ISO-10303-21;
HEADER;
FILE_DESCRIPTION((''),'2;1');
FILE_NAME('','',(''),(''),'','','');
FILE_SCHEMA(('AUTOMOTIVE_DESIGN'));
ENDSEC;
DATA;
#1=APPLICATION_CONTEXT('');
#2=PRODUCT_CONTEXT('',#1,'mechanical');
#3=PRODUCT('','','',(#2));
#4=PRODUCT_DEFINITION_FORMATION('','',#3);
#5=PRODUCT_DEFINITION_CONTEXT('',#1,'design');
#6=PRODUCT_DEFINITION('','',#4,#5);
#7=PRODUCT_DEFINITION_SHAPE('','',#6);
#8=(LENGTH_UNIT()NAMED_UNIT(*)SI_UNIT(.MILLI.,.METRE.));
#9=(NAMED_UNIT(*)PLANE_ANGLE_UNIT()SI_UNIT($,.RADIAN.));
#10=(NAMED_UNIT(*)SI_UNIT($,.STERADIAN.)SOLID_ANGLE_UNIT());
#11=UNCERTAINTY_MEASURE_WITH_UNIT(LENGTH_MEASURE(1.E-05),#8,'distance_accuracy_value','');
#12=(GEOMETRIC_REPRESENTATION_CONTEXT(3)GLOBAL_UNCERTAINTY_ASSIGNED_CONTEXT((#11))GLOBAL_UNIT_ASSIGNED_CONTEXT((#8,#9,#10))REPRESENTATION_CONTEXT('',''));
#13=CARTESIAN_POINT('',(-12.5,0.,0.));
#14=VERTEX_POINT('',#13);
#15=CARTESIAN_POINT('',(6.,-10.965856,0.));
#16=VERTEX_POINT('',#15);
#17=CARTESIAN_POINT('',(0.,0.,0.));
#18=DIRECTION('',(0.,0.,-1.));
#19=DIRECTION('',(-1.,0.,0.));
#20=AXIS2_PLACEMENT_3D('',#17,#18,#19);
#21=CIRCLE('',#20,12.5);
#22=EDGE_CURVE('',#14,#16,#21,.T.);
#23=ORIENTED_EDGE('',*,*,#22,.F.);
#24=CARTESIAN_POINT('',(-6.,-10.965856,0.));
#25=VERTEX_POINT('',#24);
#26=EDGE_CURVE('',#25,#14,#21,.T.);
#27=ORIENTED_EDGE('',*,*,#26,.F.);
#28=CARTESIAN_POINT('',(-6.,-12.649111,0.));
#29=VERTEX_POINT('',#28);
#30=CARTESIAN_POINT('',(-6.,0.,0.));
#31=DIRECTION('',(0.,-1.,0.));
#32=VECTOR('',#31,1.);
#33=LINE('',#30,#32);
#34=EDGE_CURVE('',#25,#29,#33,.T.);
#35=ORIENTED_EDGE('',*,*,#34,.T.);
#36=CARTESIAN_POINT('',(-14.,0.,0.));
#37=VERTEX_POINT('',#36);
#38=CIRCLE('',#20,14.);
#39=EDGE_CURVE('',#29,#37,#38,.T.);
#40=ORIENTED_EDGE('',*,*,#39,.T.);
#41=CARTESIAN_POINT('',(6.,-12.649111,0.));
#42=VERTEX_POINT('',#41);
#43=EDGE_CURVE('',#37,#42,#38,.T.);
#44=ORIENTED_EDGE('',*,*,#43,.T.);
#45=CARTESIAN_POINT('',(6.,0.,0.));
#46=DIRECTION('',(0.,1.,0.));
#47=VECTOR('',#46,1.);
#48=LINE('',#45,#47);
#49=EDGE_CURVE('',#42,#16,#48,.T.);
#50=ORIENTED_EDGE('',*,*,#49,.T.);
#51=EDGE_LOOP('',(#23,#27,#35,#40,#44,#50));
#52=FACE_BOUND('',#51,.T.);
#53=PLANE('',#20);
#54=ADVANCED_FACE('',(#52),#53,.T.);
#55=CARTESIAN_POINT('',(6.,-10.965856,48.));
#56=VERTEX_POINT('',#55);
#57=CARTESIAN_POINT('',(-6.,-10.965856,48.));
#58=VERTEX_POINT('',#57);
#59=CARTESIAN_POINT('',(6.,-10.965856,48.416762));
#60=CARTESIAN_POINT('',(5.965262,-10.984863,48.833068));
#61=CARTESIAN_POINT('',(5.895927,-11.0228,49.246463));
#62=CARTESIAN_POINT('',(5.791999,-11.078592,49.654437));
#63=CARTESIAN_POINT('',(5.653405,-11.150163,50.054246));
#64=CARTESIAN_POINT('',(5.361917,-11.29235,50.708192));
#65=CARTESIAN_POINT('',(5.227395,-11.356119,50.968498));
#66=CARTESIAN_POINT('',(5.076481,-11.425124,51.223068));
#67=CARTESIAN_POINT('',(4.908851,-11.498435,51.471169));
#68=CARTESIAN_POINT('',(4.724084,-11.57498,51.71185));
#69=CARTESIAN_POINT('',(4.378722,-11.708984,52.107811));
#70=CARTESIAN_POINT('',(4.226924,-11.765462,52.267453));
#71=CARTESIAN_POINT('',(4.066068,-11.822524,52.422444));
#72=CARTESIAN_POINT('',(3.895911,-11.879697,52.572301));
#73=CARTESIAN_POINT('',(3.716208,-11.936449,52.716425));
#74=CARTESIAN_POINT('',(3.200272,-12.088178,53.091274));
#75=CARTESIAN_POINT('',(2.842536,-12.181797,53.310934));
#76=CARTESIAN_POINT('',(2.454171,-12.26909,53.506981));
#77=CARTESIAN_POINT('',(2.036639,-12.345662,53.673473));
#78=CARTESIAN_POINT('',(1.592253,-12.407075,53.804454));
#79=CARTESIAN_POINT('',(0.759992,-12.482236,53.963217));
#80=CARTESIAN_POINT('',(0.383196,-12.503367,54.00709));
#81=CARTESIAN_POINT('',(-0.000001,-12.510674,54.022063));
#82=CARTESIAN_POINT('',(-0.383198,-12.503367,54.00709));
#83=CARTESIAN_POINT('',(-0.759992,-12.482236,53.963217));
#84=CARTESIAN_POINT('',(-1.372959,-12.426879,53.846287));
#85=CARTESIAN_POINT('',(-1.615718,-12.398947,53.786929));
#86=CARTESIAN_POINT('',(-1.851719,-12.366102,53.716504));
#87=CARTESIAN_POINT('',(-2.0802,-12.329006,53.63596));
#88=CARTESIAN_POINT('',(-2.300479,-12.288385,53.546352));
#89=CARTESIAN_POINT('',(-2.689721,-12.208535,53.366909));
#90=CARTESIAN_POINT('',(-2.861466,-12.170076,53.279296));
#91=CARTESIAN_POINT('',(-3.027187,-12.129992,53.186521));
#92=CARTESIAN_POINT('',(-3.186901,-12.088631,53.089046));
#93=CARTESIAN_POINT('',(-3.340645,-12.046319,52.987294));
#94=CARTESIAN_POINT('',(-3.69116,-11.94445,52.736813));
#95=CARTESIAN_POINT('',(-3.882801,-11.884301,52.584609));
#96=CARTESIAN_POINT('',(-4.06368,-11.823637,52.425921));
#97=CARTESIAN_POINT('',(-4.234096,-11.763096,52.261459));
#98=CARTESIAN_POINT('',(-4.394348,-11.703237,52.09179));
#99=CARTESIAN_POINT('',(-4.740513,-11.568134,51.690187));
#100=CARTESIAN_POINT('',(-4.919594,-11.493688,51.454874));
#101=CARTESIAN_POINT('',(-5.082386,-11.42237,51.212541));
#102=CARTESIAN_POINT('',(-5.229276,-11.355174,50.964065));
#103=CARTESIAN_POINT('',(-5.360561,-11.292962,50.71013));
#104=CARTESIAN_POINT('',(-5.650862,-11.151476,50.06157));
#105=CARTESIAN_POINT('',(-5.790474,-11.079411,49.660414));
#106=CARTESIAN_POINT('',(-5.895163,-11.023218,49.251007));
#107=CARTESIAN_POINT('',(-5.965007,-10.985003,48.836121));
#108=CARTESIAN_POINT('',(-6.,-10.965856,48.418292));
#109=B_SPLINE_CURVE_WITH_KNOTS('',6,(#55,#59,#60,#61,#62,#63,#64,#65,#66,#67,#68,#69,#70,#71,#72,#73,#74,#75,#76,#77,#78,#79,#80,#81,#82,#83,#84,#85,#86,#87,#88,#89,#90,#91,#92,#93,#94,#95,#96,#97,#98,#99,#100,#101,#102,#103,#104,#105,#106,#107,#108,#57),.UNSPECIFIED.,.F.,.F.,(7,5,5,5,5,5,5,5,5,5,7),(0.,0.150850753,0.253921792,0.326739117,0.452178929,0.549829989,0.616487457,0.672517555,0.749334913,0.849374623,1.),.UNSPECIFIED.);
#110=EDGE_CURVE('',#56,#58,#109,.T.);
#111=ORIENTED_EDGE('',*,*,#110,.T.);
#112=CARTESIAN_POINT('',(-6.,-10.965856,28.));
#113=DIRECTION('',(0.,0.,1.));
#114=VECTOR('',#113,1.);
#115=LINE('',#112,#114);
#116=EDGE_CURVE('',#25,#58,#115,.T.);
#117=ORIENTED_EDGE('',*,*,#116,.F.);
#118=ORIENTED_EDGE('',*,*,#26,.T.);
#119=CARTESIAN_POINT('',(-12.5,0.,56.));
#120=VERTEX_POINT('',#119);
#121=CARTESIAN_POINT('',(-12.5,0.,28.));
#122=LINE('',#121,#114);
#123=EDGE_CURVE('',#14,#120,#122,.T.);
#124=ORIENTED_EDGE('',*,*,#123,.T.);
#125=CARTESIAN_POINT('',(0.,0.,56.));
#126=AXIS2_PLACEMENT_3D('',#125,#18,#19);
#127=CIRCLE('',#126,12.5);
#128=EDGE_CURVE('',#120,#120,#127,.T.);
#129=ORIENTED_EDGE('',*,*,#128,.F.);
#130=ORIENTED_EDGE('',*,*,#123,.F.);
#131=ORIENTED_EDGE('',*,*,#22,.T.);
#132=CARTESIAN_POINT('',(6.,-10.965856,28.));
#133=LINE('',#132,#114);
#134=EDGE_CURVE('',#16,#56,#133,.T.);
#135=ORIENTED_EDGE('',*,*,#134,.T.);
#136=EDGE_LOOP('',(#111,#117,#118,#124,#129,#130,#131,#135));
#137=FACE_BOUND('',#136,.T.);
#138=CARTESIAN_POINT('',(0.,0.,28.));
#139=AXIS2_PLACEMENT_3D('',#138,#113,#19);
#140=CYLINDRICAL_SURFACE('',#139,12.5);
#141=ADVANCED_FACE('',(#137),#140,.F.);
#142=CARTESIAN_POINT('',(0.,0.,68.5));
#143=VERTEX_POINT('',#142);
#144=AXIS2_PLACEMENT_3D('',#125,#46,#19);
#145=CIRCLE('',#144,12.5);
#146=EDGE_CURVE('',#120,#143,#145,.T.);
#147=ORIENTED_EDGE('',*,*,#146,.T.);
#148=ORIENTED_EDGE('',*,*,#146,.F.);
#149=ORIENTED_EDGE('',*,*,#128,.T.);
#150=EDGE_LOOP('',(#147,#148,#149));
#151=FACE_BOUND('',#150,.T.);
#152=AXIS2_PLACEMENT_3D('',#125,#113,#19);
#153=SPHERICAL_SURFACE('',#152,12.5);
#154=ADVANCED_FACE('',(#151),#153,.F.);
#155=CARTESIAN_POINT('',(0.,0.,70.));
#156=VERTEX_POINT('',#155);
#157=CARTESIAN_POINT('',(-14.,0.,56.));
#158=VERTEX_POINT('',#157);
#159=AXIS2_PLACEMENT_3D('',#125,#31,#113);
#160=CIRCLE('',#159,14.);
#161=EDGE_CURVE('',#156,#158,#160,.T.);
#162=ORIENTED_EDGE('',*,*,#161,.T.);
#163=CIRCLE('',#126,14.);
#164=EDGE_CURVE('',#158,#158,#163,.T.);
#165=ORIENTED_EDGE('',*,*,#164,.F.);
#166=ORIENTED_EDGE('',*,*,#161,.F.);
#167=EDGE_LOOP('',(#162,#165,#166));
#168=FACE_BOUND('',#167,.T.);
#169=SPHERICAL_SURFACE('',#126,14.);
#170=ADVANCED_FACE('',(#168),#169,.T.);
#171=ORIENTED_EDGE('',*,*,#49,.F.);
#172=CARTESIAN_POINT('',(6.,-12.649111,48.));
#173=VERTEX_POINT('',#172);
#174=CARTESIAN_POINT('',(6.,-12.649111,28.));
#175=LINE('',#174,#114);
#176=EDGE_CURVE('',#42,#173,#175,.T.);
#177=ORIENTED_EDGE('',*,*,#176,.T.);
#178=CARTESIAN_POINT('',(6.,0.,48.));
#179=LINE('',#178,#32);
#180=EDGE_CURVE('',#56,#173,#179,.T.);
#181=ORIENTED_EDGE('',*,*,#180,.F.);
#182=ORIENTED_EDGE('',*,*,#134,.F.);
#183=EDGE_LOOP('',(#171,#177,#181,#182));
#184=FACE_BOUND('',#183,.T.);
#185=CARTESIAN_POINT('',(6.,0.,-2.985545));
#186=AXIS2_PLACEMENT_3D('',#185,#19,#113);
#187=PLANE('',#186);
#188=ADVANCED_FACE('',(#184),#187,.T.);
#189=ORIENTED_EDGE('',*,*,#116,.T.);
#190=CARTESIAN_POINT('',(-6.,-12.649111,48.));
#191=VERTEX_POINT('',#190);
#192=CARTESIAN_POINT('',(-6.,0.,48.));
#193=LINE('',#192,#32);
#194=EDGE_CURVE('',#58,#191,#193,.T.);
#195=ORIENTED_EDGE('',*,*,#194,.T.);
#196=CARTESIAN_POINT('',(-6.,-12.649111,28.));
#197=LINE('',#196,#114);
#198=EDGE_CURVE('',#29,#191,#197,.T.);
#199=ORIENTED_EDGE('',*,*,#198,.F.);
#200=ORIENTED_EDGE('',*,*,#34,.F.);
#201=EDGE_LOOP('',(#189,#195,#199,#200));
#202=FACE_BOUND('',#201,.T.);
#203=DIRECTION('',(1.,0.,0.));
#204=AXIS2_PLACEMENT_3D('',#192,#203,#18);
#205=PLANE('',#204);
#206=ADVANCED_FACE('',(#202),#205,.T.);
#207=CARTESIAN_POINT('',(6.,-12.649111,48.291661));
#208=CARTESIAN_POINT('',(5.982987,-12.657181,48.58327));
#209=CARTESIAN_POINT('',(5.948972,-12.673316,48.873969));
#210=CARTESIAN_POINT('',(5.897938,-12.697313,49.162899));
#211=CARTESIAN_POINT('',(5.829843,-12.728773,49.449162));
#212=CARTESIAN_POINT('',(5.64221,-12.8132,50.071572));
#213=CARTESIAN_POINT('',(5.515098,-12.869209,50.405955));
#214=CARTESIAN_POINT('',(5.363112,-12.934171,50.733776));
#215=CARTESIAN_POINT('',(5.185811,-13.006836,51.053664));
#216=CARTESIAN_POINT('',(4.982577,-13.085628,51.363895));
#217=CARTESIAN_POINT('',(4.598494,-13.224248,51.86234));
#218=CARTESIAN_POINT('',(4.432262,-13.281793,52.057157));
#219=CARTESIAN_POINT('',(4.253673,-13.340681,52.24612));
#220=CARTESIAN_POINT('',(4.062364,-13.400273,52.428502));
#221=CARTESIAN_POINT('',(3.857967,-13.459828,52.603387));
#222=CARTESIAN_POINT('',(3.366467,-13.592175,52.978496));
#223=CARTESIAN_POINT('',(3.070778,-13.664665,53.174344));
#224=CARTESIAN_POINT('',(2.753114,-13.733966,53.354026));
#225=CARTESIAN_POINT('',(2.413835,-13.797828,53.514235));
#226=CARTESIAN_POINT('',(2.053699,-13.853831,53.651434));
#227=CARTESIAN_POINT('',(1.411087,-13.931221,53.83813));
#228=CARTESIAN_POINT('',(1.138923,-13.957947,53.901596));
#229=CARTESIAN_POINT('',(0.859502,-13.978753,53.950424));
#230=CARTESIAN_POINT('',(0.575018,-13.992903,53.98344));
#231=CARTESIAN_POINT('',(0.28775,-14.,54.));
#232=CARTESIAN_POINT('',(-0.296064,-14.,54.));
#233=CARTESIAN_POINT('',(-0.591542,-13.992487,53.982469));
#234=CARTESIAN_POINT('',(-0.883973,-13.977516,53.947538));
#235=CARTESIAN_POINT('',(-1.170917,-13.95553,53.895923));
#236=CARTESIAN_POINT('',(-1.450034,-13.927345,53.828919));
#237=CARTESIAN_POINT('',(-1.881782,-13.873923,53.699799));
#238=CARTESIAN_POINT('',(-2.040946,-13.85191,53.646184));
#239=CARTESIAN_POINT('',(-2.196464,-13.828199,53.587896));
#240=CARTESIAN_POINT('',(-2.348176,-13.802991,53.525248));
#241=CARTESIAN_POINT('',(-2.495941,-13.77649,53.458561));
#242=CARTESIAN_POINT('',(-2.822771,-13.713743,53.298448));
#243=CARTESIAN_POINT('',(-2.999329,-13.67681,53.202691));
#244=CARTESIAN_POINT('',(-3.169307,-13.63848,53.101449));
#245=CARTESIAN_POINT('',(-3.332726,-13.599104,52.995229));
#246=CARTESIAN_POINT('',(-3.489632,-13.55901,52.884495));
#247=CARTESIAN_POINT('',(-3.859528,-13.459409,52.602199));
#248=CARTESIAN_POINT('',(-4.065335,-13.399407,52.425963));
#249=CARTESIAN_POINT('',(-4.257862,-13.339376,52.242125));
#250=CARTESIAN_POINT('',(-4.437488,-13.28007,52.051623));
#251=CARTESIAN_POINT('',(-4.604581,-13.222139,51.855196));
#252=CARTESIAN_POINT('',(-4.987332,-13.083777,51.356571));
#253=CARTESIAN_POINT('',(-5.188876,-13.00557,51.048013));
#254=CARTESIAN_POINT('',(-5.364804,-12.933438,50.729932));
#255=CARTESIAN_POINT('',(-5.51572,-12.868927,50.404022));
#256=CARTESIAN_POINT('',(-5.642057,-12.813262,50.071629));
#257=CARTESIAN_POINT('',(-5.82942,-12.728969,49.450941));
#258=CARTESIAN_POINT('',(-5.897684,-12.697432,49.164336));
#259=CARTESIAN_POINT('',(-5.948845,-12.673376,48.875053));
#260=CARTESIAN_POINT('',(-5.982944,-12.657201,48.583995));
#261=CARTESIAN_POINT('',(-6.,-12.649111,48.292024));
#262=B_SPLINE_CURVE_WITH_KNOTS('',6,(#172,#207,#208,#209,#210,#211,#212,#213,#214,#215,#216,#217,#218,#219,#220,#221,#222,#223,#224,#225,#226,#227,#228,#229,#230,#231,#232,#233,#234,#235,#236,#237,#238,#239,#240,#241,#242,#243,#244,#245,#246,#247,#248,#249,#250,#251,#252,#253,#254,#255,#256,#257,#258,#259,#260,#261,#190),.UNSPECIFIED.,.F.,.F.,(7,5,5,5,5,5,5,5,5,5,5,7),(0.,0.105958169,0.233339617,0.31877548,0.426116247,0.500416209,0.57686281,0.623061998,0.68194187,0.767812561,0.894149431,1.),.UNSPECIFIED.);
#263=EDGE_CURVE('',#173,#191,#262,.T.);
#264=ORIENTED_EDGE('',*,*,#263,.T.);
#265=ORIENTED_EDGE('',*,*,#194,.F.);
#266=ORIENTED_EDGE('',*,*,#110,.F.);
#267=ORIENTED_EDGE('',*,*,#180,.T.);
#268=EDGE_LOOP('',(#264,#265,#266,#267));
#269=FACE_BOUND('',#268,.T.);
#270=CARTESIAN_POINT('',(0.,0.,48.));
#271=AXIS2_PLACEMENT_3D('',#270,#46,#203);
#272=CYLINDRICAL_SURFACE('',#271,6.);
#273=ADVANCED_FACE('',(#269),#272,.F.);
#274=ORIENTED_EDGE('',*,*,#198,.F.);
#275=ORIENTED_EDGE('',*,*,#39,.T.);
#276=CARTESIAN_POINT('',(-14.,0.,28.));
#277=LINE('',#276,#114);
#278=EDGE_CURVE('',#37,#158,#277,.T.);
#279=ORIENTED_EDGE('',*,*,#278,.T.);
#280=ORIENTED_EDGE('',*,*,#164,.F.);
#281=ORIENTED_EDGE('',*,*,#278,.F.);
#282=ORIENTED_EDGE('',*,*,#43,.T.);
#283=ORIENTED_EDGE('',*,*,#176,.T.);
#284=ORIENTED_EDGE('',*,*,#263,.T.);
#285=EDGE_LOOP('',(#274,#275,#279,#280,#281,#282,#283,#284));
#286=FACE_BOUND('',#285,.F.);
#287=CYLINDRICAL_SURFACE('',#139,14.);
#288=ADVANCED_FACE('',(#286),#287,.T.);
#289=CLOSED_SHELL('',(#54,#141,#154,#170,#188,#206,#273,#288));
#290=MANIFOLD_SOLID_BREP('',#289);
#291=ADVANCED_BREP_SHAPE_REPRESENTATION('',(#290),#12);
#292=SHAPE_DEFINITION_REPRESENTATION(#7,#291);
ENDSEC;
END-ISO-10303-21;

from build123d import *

# Parameters (mm, degrees)
F0_W     = 1.5
F0_H     = 56
F3_DEPTH = 25


with BuildPart() as f1:
    # F0 (on Front) → F1 (revolve)
    with BuildSketch(Plane.XZ):
        with BuildLine():
            ThreePointArc((-12.5, 56), (-8.8388347648, 64.8388347648), (0, 68.5))
            Line((0, 68.5), (0, 70))
            ThreePointArc((0, 70), (-9.8994949366, 65.8994949366), (-14, 56))
            Line((-14, 56), (-12.5, 56))
        make_face()
        with Locations((-13.25, 28)):
            Rectangle(F0_W, F0_H)
    revolve(axis=Axis((0, 0, 28), (0, 0, -1)))

    # F2 (on Front) → F3 (cut)
    with BuildSketch(Plane.XZ):
        with BuildLine():
            Line((6, -2.9855446036), (6, 48))
            ThreePointArc((6, 48), (0, 54), (-6, 48))
            Line((-6, 48), (-6, -2.9855446036))
            Line((-6, -2.9855446036), (6, -2.9855446036))
        make_face()
    extrude(amount=F3_DEPTH, mode=Mode.SUBTRACT)


solid = f1.part
